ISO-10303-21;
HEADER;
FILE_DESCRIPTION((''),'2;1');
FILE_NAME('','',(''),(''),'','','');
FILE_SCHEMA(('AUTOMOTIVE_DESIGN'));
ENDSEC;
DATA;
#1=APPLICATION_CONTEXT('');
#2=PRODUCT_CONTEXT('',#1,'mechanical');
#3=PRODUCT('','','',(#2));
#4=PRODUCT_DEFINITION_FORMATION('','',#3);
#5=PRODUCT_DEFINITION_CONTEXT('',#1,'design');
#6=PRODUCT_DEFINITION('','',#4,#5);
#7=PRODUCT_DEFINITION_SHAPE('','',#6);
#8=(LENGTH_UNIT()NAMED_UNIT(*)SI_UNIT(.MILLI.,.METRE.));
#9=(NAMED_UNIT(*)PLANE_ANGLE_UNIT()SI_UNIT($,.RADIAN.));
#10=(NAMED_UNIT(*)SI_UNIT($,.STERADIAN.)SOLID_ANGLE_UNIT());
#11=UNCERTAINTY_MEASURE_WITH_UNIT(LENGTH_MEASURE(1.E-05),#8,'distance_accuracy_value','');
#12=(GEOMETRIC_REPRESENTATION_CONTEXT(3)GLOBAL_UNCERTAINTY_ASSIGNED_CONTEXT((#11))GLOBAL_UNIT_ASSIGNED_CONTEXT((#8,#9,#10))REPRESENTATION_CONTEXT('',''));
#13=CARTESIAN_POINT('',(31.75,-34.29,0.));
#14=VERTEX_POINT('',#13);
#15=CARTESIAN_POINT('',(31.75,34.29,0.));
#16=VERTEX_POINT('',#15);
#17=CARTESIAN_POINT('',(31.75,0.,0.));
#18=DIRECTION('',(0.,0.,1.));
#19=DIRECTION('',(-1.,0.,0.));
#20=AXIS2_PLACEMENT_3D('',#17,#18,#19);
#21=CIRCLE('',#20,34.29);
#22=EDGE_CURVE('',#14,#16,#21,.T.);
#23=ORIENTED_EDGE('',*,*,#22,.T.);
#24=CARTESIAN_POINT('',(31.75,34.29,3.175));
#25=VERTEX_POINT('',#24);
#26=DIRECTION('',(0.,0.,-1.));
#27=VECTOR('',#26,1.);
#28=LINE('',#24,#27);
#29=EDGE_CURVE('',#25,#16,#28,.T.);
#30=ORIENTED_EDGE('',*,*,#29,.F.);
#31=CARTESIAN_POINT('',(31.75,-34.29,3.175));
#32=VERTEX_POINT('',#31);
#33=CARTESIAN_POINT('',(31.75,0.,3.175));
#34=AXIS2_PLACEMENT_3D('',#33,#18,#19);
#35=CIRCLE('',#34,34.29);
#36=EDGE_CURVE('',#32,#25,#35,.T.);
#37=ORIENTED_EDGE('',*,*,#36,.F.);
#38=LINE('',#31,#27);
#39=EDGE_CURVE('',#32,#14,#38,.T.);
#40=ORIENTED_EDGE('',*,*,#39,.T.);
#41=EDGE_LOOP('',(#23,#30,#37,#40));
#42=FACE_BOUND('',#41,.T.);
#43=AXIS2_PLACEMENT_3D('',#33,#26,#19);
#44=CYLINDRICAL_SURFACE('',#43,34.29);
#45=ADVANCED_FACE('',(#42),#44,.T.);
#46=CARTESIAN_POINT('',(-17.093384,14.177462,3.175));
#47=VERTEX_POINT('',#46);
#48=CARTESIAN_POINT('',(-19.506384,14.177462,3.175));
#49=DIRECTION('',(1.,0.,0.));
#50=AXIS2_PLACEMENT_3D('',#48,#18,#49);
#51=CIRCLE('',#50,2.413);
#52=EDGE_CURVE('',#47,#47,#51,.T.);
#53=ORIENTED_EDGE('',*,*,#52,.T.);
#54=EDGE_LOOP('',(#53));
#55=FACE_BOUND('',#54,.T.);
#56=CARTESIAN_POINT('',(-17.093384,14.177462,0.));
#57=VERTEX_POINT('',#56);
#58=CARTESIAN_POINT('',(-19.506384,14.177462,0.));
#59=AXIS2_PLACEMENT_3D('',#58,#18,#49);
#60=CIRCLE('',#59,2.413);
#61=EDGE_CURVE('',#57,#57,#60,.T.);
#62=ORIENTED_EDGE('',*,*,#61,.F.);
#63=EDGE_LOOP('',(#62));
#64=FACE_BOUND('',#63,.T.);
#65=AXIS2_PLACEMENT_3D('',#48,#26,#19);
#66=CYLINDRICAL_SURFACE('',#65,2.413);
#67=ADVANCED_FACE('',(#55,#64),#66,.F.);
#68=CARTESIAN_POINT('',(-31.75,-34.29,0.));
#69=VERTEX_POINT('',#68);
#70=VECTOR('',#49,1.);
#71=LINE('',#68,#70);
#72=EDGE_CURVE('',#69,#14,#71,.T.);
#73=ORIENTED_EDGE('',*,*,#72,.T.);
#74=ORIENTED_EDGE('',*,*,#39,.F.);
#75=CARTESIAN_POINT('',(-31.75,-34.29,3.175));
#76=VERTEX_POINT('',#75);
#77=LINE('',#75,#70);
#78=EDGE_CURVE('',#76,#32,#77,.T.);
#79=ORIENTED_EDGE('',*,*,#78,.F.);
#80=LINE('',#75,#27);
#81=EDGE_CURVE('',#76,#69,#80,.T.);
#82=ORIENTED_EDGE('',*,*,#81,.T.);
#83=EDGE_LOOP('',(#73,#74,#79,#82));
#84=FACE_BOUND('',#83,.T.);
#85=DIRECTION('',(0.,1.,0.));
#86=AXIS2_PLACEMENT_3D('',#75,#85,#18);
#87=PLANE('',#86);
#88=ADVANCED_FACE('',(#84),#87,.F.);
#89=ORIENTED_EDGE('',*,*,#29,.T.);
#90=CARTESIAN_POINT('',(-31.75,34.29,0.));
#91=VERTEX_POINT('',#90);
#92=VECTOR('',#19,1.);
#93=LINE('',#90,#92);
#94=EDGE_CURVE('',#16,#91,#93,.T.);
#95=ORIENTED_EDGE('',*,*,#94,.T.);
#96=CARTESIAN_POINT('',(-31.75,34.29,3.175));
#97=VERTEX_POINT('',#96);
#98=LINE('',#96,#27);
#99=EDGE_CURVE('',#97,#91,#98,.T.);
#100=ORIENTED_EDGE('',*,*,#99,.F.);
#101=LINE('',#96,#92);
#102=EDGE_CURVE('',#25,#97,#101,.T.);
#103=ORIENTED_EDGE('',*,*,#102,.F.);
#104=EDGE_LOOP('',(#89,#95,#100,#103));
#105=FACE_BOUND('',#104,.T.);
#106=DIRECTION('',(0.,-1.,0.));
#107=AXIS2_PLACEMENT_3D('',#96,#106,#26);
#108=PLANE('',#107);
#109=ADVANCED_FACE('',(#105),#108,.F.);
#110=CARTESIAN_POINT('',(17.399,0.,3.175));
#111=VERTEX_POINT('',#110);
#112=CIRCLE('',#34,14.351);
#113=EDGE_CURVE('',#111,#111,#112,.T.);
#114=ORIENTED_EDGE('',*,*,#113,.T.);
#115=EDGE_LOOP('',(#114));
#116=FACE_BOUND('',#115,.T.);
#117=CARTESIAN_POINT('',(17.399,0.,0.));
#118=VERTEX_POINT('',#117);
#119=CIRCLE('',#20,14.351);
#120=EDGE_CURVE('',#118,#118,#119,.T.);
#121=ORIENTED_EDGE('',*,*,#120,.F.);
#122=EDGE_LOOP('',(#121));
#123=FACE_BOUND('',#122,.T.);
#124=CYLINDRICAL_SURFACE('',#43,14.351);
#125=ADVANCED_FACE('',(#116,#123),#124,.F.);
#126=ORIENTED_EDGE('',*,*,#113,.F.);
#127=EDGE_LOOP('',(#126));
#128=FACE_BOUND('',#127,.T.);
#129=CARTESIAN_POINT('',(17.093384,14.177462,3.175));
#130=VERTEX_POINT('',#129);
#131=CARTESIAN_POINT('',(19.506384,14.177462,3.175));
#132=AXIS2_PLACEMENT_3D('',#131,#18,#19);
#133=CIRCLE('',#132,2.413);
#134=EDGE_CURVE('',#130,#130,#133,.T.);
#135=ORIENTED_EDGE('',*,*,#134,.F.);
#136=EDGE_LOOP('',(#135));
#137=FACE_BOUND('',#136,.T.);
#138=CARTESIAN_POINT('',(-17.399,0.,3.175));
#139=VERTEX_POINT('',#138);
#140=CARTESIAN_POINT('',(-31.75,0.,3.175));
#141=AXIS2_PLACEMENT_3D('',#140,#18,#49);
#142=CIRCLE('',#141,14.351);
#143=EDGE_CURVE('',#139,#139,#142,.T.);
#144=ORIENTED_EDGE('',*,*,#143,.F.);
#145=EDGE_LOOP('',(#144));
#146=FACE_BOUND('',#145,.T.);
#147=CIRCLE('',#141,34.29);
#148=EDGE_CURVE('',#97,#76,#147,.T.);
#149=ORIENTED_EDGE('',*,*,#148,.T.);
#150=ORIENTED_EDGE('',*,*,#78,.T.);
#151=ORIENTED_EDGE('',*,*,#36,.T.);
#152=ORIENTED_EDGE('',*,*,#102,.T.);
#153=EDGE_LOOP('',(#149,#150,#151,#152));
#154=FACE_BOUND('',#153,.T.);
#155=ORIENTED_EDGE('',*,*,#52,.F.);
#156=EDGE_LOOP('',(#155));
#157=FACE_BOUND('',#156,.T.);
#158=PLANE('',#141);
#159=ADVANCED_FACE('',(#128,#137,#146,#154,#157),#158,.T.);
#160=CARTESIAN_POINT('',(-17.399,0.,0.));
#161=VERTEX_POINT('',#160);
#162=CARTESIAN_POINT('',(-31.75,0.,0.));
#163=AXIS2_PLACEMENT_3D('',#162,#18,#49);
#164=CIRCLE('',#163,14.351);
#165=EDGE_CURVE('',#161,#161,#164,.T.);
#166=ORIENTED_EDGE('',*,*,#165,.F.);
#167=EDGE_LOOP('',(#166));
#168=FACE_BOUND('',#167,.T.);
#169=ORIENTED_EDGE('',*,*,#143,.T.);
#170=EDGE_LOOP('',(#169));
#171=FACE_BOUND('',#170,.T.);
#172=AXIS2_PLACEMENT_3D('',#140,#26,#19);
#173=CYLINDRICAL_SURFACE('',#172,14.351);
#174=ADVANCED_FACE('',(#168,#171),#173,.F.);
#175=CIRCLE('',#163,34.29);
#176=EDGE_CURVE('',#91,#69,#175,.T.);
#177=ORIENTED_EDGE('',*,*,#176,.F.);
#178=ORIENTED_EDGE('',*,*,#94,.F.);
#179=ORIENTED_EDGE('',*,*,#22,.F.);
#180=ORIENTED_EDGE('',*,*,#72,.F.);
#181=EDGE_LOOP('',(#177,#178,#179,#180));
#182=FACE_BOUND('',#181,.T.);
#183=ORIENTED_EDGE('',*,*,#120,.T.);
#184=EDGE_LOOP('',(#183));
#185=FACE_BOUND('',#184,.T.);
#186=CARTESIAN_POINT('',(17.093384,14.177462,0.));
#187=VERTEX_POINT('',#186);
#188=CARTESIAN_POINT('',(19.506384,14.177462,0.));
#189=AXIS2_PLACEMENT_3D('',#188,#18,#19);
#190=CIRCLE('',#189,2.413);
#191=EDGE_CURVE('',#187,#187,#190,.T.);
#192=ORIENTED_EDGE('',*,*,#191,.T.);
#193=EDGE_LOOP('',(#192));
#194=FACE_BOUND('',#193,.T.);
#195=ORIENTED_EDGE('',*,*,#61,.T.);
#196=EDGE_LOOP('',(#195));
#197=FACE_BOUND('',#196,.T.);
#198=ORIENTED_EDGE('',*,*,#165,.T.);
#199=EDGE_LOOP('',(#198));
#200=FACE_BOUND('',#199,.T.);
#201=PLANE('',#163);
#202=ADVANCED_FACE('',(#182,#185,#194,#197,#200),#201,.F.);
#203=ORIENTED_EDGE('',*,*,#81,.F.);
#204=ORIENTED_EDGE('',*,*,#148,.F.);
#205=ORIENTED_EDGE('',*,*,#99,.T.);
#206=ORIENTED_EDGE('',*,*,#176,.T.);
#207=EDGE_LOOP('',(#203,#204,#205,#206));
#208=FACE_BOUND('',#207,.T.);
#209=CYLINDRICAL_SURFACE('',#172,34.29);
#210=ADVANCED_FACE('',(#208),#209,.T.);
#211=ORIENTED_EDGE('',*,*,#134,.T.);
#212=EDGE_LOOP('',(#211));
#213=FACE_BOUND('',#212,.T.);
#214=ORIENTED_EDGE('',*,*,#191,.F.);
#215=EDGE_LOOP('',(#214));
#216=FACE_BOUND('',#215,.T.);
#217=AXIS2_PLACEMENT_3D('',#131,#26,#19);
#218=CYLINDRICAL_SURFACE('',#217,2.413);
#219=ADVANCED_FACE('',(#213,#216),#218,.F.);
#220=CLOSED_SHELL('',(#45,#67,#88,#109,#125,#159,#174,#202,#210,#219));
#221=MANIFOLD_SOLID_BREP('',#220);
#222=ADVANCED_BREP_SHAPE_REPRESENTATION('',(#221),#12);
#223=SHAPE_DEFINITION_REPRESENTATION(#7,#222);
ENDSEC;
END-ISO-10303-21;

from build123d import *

# Parameters (mm, degrees)
SKETCH1_R           = 14.351
SKETCH1_R_2         = 2.413
BOSS_EXTRUDE1_DEPTH = 3.175


with BuildPart() as part:
    # Sketch1 → Boss-Extrude1 (new body)
    with BuildSketch(Plane.XY):
        with BuildLine():
            Line((-31.75, 34.29), (31.75, 34.29))
            ThreePointArc((31.75, 34.29), (66.04, 0), (31.75, -34.29))
            Line((31.75, -34.29), (-31.75, -34.29))
            ThreePointArc((-31.75, -34.29), (-66.04, 0), (-31.75, 34.29))
        make_face()
        with Locations((-31.75, 0)):
            Circle(SKETCH1_R, mode=Mode.SUBTRACT)
        with Locations(Location((31.75, 0, 0), (0, 0, 180))):
            Circle(SKETCH1_R, mode=Mode.SUBTRACT)
        with Locations((-19.506383886, 14.177461716)):
            Circle(SKETCH1_R_2, mode=Mode.SUBTRACT)
        with Locations(Location((19.506383886, 14.177461716, 0), (0, 0, 180))):
            Circle(SKETCH1_R_2, mode=Mode.SUBTRACT)
    extrude(amount=BOSS_EXTRUDE1_DEPTH)


solid = part.part
